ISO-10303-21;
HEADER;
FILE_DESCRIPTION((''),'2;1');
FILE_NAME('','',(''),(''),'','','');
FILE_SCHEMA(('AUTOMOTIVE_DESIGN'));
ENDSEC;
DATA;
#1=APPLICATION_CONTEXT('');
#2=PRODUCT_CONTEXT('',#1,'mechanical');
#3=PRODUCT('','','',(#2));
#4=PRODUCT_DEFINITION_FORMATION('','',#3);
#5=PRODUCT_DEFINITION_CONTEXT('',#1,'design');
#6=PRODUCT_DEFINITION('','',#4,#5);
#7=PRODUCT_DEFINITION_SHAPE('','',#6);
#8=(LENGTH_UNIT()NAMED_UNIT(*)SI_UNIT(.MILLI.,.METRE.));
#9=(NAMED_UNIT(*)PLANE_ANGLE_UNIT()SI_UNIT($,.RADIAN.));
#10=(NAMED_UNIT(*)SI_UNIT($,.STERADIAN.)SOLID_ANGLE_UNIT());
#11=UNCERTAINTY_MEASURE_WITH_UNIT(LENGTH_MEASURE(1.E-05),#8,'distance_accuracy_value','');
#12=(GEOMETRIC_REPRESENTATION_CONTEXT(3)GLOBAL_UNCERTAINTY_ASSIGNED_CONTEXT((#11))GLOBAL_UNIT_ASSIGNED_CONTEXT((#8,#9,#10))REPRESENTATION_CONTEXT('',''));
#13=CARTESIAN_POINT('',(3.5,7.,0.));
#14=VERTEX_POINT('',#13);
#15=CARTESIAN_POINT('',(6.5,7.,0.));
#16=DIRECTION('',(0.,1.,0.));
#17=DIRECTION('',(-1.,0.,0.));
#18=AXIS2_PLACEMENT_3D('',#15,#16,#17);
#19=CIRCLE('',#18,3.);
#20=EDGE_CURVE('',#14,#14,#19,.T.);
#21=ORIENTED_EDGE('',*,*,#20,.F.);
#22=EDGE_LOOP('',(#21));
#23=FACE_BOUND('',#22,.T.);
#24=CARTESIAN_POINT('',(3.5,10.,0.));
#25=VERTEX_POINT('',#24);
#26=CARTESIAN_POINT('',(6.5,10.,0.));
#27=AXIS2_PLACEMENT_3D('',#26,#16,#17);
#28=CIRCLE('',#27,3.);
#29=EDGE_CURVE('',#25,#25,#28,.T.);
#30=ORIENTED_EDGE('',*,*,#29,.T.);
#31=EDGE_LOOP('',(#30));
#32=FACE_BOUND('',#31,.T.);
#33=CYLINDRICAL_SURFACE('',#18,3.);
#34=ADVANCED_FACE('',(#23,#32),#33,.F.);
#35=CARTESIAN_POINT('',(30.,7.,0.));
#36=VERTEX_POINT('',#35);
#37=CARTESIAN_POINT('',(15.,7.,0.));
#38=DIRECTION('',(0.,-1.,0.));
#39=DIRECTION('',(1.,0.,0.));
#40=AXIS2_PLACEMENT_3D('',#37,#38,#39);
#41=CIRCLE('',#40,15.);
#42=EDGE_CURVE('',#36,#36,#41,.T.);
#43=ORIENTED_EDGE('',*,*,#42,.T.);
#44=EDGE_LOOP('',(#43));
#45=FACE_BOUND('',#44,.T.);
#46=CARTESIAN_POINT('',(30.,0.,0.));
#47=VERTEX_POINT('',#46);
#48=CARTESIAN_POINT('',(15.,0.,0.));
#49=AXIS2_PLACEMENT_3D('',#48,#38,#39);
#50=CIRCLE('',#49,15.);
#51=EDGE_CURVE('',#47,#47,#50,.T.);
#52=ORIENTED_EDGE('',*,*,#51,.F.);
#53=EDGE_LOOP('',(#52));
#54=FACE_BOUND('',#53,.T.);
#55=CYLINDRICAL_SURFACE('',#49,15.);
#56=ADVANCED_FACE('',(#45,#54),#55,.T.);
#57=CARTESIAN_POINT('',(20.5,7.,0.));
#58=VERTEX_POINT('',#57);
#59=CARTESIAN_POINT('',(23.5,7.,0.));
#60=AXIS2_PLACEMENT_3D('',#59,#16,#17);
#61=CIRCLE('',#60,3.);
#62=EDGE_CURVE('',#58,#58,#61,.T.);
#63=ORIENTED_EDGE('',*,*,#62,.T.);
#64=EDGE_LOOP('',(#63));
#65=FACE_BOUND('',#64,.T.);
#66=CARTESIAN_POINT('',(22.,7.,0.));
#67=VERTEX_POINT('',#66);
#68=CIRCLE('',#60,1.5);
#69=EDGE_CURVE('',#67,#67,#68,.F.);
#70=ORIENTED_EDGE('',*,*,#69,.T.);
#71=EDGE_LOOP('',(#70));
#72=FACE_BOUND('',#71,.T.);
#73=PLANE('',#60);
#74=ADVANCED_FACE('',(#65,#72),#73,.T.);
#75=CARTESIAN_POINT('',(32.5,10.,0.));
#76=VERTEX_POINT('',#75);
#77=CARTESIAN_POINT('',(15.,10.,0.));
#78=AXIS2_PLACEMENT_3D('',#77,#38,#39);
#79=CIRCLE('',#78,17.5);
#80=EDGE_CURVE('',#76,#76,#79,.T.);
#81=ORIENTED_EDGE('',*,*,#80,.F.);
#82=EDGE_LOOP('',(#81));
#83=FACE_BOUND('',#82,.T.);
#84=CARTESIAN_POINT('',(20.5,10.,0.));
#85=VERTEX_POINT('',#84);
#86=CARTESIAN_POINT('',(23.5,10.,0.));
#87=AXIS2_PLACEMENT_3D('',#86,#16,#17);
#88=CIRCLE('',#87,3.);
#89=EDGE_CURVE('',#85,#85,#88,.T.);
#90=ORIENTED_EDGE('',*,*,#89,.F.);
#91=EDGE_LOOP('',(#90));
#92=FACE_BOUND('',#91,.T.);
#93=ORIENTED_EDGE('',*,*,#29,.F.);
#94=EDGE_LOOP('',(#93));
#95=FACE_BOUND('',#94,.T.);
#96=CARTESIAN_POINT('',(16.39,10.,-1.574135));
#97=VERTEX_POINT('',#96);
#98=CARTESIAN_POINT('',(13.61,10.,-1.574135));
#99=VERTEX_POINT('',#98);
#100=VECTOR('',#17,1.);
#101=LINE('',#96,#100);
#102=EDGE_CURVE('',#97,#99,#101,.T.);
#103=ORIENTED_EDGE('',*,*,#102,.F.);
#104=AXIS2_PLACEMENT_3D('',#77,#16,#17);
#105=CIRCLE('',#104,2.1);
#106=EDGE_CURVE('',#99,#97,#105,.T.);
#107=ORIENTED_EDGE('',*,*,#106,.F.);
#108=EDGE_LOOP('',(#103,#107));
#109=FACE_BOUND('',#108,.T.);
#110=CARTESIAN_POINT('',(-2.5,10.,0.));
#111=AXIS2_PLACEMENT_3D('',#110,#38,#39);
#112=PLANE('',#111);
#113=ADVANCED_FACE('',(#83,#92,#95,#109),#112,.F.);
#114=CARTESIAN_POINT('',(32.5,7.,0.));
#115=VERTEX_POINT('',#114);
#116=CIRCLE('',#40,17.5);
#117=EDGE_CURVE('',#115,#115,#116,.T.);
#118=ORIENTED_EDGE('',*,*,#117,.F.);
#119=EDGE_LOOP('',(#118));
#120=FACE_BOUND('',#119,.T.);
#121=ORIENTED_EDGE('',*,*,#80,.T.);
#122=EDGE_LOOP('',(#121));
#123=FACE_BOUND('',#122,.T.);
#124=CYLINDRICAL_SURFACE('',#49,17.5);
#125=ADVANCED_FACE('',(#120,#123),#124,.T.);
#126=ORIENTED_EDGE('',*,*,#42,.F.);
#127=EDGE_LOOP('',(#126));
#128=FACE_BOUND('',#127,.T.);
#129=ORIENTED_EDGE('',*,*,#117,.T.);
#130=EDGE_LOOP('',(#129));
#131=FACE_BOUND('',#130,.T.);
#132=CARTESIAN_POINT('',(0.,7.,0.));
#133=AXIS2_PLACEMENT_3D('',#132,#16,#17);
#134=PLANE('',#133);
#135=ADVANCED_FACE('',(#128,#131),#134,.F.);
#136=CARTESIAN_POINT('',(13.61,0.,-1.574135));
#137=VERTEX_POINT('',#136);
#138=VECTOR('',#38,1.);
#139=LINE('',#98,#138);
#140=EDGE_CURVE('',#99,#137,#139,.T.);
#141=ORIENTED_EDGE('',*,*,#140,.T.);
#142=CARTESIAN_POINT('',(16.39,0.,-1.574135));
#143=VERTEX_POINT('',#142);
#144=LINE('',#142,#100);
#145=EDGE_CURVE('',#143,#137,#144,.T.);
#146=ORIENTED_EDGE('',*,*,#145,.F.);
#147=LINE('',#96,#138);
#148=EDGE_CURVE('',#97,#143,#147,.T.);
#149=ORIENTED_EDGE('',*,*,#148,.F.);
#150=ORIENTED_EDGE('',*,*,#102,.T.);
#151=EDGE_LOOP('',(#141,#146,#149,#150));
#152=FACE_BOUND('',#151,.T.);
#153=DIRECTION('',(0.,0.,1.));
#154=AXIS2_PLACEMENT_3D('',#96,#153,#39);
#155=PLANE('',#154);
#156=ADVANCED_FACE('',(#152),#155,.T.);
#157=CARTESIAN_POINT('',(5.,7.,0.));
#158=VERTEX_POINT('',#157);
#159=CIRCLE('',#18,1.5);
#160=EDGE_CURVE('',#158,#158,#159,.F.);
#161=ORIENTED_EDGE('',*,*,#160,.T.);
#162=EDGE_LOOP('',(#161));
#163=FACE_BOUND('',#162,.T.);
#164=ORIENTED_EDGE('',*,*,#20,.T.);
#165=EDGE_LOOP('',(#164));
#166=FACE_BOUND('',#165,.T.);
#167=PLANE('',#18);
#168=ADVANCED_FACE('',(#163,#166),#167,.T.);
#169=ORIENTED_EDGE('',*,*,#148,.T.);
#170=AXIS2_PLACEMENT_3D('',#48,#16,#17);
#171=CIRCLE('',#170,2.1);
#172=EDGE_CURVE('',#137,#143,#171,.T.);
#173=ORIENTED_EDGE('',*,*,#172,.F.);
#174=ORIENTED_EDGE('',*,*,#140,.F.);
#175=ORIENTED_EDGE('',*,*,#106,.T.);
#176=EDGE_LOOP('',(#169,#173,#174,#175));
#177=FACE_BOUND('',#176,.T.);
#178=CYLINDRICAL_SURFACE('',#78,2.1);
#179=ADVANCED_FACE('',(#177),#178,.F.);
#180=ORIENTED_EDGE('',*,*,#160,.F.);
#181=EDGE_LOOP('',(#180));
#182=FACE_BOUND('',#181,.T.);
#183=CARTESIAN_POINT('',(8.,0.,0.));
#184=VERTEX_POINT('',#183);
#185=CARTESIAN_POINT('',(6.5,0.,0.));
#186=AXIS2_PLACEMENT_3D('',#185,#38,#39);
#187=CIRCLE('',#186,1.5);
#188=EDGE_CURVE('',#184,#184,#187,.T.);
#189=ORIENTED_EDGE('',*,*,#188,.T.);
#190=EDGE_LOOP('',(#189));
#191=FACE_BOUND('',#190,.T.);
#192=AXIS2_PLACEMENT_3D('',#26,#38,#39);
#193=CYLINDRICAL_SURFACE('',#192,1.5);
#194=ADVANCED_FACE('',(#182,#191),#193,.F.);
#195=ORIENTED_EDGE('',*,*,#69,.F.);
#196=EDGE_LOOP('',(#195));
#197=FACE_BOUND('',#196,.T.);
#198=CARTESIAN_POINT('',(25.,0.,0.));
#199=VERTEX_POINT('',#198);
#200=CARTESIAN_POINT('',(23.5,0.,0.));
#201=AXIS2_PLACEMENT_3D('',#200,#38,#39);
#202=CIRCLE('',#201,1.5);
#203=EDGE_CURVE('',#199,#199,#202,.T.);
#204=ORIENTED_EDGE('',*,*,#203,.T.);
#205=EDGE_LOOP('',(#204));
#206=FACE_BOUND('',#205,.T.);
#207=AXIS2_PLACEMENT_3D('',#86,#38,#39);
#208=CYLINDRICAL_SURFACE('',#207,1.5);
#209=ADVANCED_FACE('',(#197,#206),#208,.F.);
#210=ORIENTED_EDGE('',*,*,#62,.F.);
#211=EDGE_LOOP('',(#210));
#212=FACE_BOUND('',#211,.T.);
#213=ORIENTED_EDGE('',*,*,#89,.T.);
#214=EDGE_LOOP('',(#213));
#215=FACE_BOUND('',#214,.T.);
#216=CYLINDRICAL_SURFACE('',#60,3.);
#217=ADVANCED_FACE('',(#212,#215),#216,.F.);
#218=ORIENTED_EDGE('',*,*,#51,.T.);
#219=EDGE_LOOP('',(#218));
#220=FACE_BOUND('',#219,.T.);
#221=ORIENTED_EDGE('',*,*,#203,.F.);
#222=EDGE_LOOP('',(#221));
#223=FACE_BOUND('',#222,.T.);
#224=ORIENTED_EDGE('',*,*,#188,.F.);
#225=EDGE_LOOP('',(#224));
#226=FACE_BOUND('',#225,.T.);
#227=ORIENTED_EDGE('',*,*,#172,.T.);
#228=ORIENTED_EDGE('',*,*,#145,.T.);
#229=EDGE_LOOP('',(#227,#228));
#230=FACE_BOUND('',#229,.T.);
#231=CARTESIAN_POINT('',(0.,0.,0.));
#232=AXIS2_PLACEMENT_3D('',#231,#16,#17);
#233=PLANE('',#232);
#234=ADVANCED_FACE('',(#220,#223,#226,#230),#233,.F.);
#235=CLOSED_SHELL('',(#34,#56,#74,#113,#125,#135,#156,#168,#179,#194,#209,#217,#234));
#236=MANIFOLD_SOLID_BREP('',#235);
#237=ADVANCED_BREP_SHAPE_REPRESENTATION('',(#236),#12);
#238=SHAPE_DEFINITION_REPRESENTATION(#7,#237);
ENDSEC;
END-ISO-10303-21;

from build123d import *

# Parameters (mm, degrees)
ESBO_O2_R             = 1.5
CORTE_EXTRUS_O1_DEPTH = 10
ESBO_O3_R             = 3
CORTE_EXTRUS_O2_DEPTH = 3


with BuildPart() as part:
    # Esboço1 → Revolução2 (revolve)
    with BuildSketch(Plane.XY, mode=Mode.PRIVATE) as revolu_o2_sk:
        Polygon((0, 7), (-2.5, 7), (-2.5, 10), (15, 10), (15, 0), (0, 0), align=None)
    revolve(revolu_o2_sk.sketch.rotate(Axis((15, 0, 0), (0, 1, 0)), 180), axis=Axis((15, 0, 0), (0, 1, 0)))

    # Esboço2 → Corte-extrusão1 (cut)
    with BuildSketch(Plane(origin=(0, 0, 0), x_dir=(-1, 0, 0), z_dir=(0, -1, 0))):
        with Locations(Location((-23.5, 0, 0), (0, 0, 180))):
            Circle(ESBO_O2_R)
        with Locations(Location((-6.5, 0, 0), (0, 0, 180))):
            Circle(ESBO_O2_R)
        with BuildLine():
            Line((-16.39, 1.574134683), (-13.61, 1.574134683))
            ThreePointArc((-13.61, 1.574134683), (-15, -2.1), (-16.39, 1.574134683))
        make_face()
    extrude(amount=-CORTE_EXTRUS_O1_DEPTH, mode=Mode.SUBTRACT)

    # Esboço3 → Corte-extrusão2 (cut)
    with BuildSketch(Plane(origin=(0, 10, 0), x_dir=(1, 0, 0), z_dir=(0, 1, 0))):
        with Locations(Location((6.5, 0, 0), (0, 0, 180))):
            Circle(ESBO_O3_R)
        with Locations(Location((23.5, 0, 0), (0, 0, 180))):
            Circle(ESBO_O3_R)
    extrude(amount=-CORTE_EXTRUS_O2_DEPTH, mode=Mode.SUBTRACT)


solid = part.part
